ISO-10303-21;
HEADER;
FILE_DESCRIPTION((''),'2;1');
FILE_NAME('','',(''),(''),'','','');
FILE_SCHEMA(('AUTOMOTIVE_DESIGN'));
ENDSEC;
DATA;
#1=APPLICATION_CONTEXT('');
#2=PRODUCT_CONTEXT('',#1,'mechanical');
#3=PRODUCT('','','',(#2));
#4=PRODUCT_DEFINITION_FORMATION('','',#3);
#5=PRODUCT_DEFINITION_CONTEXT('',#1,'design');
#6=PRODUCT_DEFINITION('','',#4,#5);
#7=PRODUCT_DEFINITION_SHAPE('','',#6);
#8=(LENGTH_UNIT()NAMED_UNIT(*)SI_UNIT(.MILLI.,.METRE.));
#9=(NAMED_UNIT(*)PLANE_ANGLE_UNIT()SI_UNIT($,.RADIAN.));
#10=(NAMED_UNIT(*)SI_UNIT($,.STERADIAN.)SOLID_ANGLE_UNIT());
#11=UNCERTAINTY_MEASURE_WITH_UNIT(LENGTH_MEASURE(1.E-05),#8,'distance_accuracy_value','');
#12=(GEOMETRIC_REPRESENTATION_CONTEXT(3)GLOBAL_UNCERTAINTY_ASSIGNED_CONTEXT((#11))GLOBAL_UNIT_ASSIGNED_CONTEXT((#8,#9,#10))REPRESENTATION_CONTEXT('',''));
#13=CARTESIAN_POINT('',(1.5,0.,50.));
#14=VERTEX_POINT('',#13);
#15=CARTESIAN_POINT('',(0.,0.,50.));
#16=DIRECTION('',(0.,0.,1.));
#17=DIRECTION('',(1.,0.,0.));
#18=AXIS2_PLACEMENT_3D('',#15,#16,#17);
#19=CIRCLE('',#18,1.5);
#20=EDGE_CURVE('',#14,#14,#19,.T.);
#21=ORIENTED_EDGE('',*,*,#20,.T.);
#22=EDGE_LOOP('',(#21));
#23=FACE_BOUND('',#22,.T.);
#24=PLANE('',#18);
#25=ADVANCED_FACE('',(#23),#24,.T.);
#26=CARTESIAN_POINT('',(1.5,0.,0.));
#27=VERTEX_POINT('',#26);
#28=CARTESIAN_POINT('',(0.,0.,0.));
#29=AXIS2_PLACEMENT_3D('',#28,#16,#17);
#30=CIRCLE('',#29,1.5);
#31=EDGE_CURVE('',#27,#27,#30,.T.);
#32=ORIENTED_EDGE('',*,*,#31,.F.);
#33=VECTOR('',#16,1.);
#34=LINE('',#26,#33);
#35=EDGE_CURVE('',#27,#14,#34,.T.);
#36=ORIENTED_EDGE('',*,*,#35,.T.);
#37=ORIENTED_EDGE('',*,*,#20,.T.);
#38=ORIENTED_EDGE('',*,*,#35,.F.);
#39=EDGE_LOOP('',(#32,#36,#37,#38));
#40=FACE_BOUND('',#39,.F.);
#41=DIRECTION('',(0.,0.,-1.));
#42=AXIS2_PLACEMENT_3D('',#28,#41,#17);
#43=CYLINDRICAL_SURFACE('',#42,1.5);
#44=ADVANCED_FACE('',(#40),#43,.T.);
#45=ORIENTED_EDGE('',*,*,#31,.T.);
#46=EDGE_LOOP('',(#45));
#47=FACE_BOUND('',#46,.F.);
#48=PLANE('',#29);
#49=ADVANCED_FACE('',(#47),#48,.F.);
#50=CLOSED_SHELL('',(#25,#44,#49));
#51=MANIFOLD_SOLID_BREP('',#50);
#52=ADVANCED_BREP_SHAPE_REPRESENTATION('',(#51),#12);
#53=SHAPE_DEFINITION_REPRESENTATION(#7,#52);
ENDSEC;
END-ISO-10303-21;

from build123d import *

# Parameters (mm, degrees)
ESQUISSE1_R        = 1.5
BOSS_EXTRU_1_DEPTH = 50


with BuildPart() as part:
    # Esquisse1 → Boss.-Extru.1 (new body)
    with BuildSketch(Plane.XY):
        Circle(ESQUISSE1_R)
    extrude(amount=BOSS_EXTRU_1_DEPTH)


solid = part.part
